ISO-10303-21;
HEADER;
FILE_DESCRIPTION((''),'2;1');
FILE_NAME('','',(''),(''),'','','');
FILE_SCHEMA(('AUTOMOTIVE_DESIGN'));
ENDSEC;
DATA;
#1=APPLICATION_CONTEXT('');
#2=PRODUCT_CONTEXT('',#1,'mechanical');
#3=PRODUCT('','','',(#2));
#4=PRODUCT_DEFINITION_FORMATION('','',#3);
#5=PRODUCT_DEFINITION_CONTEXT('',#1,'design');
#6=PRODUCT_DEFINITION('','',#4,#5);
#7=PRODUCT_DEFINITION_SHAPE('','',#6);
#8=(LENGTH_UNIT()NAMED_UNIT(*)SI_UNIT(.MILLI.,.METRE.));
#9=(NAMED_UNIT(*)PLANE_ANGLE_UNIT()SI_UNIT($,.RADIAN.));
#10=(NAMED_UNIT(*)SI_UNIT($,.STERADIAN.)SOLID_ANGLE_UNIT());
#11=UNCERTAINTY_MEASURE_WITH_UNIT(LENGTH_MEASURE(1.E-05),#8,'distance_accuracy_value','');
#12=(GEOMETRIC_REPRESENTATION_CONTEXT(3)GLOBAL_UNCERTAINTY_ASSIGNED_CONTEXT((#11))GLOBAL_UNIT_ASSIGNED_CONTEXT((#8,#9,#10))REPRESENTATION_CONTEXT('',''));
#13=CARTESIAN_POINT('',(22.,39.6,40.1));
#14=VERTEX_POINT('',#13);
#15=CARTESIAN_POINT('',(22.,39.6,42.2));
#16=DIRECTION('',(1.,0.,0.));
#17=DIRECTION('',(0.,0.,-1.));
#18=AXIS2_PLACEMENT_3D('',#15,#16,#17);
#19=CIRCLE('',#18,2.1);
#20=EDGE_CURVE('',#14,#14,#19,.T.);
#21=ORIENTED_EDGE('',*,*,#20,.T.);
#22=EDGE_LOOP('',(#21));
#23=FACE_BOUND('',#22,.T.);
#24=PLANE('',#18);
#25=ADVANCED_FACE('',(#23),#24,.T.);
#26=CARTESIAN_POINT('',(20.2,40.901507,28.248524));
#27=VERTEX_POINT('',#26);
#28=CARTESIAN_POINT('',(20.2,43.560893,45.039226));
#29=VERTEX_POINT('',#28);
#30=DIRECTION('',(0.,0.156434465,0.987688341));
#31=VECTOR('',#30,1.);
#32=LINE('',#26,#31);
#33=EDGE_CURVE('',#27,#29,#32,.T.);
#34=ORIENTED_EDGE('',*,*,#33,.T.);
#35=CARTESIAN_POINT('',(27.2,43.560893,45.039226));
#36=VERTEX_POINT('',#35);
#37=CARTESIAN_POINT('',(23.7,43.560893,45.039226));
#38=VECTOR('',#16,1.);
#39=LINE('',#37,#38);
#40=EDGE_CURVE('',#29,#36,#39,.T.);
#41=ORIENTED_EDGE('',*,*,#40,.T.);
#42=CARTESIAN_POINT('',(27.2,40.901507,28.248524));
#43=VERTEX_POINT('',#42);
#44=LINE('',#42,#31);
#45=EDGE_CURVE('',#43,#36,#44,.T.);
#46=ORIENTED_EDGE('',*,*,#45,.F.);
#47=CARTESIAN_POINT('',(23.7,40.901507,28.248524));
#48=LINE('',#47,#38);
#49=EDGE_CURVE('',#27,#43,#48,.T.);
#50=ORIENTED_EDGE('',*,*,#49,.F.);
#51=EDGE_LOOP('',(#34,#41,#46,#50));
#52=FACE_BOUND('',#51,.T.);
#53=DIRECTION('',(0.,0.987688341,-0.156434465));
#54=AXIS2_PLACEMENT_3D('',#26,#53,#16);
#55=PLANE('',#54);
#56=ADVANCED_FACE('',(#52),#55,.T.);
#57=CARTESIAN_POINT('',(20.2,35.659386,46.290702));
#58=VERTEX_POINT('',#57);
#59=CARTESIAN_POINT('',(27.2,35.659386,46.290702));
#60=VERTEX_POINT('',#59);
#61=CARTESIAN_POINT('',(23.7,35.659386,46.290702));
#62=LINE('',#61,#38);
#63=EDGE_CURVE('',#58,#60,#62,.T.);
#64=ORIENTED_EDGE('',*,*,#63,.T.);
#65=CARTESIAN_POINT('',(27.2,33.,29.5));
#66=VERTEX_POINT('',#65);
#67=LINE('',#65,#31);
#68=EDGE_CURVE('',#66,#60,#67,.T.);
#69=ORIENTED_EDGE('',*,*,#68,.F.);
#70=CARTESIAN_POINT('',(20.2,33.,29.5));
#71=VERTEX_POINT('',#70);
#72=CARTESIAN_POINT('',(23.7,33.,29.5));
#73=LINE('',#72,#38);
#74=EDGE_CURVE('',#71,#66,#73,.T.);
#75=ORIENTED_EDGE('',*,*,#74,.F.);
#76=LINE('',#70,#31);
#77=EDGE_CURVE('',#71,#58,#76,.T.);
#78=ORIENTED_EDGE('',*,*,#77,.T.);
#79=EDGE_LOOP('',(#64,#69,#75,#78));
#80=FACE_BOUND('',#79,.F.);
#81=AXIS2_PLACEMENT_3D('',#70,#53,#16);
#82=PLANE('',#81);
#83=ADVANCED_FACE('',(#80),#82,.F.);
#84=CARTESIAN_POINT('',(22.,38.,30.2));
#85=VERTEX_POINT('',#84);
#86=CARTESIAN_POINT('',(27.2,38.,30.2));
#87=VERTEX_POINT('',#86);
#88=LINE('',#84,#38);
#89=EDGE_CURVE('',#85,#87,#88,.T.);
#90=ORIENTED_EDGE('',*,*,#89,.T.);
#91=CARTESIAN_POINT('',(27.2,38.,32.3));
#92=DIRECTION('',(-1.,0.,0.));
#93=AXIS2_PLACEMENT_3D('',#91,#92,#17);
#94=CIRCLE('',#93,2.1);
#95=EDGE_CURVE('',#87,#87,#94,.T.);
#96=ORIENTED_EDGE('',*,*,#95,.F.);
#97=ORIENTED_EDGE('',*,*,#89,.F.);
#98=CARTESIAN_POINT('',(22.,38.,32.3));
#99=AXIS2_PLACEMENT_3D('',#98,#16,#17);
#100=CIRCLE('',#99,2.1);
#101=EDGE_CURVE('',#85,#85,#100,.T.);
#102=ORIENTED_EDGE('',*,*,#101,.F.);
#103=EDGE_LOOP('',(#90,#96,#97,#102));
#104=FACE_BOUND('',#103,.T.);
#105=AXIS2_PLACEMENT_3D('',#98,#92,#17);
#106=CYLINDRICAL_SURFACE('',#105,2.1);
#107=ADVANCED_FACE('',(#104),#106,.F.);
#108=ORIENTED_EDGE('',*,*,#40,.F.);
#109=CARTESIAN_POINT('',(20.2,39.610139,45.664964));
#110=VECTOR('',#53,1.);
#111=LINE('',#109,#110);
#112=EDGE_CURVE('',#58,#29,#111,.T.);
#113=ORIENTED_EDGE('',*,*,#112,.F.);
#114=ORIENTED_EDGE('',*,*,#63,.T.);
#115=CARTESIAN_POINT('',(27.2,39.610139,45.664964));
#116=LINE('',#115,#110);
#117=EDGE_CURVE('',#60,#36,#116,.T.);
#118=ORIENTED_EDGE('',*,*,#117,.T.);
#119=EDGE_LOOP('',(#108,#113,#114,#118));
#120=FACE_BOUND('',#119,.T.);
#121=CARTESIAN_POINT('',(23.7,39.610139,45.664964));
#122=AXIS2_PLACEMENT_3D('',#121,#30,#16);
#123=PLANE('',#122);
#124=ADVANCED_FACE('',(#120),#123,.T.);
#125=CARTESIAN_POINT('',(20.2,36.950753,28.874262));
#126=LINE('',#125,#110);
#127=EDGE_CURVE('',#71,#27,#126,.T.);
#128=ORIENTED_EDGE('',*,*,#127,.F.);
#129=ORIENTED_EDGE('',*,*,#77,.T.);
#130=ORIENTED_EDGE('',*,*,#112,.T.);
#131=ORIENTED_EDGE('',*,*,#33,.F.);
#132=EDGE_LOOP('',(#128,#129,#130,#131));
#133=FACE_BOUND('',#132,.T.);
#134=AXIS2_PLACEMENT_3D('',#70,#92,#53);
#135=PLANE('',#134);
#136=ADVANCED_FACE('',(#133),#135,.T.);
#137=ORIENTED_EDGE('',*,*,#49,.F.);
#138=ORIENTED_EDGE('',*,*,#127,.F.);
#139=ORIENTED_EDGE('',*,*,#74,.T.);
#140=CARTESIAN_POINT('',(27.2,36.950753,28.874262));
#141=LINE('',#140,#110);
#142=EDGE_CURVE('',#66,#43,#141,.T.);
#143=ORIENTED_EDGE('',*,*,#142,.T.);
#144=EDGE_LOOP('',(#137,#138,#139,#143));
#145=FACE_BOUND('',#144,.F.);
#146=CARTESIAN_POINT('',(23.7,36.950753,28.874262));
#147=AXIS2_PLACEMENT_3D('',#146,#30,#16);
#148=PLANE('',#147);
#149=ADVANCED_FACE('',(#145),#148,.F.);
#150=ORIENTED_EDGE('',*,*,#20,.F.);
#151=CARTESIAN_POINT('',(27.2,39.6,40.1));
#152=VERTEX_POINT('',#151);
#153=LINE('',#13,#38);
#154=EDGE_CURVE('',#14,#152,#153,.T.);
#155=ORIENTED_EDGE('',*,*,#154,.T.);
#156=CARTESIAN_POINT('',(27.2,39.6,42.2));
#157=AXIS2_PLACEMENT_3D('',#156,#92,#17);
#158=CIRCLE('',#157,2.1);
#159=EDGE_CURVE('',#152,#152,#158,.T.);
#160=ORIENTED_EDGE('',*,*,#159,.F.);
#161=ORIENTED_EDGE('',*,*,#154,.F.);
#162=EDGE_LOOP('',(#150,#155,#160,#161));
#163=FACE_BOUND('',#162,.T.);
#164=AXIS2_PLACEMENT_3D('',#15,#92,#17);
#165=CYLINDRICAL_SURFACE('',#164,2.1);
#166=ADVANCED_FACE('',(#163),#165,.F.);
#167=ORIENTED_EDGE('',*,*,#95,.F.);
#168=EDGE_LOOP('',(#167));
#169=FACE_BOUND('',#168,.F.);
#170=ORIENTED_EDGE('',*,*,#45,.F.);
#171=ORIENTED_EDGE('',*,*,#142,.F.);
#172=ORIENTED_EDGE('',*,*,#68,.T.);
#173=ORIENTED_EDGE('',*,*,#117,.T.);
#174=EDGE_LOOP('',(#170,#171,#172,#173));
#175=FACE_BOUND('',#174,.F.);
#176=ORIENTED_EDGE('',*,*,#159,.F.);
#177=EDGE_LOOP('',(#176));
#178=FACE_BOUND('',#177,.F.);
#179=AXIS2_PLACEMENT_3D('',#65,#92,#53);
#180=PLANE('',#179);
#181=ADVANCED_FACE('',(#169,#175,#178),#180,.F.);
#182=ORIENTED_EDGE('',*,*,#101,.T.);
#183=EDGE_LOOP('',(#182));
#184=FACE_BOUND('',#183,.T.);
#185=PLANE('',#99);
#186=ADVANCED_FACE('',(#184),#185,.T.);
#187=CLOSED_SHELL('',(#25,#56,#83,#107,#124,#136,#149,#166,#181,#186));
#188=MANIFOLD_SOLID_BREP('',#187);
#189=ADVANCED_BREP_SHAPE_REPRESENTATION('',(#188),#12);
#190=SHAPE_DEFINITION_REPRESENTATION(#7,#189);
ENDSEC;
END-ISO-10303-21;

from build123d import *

# Parameters (mm, degrees)
CYLINDER002_R       = 2.1
CYLINDER002_DEPTH   = 10
CYLINDER001_R       = 2.1
CYLINDER001_DEPTH   = 10
BOX_W               = 7
BOX_H               = 8
BOX_DEPTH           = 17
BOX_PLACEMENT_ANGLE = 9


with BuildPart() as cylinder002:
    # Cylinder002 → Cylinder002 (new body)
    with BuildSketch(Plane(origin=(23, 39.6, 42.2), x_dir=(0, 0, -1), z_dir=(1, 0, 0))):
        Circle(CYLINDER002_R)
    extrude(amount=CYLINDER002_DEPTH)


with BuildPart() as fusion:
    # Cylinder001 → Cylinder001 (new body)
    with BuildSketch(Plane(origin=(23, 38, 32.3), x_dir=(0, 0, -1), z_dir=(1, 0, 0))):
        Circle(CYLINDER001_R)
    extrude(amount=CYLINDER001_DEPTH)

    # Fusion: union Cylinder002
    add(cylinder002.part)


with BuildPart() as fusion_1:
    # Fusion placement: moved
    add(fusion.part.moved(Location((-1, 0, 0))))


with BuildPart() as cut001:
    # Box → Box (new body)
    with BuildSketch(Plane.XY):
        with Locations((3.5, 4)):
            Rectangle(BOX_W, BOX_H)
    extrude(amount=BOX_DEPTH)


with BuildPart() as cut001_1:
    # Box placement: moved
    add(cut001.part.moved(Location((20.2, 33, 29.5))).rotate(Axis((20.2, 33, 29.5), (-1, 0, 0)), BOX_PLACEMENT_ANGLE))

    # Cut001: cut Fusion
    add(fusion_1.part, mode=Mode.SUBTRACT)


solid = cut001_1.part
